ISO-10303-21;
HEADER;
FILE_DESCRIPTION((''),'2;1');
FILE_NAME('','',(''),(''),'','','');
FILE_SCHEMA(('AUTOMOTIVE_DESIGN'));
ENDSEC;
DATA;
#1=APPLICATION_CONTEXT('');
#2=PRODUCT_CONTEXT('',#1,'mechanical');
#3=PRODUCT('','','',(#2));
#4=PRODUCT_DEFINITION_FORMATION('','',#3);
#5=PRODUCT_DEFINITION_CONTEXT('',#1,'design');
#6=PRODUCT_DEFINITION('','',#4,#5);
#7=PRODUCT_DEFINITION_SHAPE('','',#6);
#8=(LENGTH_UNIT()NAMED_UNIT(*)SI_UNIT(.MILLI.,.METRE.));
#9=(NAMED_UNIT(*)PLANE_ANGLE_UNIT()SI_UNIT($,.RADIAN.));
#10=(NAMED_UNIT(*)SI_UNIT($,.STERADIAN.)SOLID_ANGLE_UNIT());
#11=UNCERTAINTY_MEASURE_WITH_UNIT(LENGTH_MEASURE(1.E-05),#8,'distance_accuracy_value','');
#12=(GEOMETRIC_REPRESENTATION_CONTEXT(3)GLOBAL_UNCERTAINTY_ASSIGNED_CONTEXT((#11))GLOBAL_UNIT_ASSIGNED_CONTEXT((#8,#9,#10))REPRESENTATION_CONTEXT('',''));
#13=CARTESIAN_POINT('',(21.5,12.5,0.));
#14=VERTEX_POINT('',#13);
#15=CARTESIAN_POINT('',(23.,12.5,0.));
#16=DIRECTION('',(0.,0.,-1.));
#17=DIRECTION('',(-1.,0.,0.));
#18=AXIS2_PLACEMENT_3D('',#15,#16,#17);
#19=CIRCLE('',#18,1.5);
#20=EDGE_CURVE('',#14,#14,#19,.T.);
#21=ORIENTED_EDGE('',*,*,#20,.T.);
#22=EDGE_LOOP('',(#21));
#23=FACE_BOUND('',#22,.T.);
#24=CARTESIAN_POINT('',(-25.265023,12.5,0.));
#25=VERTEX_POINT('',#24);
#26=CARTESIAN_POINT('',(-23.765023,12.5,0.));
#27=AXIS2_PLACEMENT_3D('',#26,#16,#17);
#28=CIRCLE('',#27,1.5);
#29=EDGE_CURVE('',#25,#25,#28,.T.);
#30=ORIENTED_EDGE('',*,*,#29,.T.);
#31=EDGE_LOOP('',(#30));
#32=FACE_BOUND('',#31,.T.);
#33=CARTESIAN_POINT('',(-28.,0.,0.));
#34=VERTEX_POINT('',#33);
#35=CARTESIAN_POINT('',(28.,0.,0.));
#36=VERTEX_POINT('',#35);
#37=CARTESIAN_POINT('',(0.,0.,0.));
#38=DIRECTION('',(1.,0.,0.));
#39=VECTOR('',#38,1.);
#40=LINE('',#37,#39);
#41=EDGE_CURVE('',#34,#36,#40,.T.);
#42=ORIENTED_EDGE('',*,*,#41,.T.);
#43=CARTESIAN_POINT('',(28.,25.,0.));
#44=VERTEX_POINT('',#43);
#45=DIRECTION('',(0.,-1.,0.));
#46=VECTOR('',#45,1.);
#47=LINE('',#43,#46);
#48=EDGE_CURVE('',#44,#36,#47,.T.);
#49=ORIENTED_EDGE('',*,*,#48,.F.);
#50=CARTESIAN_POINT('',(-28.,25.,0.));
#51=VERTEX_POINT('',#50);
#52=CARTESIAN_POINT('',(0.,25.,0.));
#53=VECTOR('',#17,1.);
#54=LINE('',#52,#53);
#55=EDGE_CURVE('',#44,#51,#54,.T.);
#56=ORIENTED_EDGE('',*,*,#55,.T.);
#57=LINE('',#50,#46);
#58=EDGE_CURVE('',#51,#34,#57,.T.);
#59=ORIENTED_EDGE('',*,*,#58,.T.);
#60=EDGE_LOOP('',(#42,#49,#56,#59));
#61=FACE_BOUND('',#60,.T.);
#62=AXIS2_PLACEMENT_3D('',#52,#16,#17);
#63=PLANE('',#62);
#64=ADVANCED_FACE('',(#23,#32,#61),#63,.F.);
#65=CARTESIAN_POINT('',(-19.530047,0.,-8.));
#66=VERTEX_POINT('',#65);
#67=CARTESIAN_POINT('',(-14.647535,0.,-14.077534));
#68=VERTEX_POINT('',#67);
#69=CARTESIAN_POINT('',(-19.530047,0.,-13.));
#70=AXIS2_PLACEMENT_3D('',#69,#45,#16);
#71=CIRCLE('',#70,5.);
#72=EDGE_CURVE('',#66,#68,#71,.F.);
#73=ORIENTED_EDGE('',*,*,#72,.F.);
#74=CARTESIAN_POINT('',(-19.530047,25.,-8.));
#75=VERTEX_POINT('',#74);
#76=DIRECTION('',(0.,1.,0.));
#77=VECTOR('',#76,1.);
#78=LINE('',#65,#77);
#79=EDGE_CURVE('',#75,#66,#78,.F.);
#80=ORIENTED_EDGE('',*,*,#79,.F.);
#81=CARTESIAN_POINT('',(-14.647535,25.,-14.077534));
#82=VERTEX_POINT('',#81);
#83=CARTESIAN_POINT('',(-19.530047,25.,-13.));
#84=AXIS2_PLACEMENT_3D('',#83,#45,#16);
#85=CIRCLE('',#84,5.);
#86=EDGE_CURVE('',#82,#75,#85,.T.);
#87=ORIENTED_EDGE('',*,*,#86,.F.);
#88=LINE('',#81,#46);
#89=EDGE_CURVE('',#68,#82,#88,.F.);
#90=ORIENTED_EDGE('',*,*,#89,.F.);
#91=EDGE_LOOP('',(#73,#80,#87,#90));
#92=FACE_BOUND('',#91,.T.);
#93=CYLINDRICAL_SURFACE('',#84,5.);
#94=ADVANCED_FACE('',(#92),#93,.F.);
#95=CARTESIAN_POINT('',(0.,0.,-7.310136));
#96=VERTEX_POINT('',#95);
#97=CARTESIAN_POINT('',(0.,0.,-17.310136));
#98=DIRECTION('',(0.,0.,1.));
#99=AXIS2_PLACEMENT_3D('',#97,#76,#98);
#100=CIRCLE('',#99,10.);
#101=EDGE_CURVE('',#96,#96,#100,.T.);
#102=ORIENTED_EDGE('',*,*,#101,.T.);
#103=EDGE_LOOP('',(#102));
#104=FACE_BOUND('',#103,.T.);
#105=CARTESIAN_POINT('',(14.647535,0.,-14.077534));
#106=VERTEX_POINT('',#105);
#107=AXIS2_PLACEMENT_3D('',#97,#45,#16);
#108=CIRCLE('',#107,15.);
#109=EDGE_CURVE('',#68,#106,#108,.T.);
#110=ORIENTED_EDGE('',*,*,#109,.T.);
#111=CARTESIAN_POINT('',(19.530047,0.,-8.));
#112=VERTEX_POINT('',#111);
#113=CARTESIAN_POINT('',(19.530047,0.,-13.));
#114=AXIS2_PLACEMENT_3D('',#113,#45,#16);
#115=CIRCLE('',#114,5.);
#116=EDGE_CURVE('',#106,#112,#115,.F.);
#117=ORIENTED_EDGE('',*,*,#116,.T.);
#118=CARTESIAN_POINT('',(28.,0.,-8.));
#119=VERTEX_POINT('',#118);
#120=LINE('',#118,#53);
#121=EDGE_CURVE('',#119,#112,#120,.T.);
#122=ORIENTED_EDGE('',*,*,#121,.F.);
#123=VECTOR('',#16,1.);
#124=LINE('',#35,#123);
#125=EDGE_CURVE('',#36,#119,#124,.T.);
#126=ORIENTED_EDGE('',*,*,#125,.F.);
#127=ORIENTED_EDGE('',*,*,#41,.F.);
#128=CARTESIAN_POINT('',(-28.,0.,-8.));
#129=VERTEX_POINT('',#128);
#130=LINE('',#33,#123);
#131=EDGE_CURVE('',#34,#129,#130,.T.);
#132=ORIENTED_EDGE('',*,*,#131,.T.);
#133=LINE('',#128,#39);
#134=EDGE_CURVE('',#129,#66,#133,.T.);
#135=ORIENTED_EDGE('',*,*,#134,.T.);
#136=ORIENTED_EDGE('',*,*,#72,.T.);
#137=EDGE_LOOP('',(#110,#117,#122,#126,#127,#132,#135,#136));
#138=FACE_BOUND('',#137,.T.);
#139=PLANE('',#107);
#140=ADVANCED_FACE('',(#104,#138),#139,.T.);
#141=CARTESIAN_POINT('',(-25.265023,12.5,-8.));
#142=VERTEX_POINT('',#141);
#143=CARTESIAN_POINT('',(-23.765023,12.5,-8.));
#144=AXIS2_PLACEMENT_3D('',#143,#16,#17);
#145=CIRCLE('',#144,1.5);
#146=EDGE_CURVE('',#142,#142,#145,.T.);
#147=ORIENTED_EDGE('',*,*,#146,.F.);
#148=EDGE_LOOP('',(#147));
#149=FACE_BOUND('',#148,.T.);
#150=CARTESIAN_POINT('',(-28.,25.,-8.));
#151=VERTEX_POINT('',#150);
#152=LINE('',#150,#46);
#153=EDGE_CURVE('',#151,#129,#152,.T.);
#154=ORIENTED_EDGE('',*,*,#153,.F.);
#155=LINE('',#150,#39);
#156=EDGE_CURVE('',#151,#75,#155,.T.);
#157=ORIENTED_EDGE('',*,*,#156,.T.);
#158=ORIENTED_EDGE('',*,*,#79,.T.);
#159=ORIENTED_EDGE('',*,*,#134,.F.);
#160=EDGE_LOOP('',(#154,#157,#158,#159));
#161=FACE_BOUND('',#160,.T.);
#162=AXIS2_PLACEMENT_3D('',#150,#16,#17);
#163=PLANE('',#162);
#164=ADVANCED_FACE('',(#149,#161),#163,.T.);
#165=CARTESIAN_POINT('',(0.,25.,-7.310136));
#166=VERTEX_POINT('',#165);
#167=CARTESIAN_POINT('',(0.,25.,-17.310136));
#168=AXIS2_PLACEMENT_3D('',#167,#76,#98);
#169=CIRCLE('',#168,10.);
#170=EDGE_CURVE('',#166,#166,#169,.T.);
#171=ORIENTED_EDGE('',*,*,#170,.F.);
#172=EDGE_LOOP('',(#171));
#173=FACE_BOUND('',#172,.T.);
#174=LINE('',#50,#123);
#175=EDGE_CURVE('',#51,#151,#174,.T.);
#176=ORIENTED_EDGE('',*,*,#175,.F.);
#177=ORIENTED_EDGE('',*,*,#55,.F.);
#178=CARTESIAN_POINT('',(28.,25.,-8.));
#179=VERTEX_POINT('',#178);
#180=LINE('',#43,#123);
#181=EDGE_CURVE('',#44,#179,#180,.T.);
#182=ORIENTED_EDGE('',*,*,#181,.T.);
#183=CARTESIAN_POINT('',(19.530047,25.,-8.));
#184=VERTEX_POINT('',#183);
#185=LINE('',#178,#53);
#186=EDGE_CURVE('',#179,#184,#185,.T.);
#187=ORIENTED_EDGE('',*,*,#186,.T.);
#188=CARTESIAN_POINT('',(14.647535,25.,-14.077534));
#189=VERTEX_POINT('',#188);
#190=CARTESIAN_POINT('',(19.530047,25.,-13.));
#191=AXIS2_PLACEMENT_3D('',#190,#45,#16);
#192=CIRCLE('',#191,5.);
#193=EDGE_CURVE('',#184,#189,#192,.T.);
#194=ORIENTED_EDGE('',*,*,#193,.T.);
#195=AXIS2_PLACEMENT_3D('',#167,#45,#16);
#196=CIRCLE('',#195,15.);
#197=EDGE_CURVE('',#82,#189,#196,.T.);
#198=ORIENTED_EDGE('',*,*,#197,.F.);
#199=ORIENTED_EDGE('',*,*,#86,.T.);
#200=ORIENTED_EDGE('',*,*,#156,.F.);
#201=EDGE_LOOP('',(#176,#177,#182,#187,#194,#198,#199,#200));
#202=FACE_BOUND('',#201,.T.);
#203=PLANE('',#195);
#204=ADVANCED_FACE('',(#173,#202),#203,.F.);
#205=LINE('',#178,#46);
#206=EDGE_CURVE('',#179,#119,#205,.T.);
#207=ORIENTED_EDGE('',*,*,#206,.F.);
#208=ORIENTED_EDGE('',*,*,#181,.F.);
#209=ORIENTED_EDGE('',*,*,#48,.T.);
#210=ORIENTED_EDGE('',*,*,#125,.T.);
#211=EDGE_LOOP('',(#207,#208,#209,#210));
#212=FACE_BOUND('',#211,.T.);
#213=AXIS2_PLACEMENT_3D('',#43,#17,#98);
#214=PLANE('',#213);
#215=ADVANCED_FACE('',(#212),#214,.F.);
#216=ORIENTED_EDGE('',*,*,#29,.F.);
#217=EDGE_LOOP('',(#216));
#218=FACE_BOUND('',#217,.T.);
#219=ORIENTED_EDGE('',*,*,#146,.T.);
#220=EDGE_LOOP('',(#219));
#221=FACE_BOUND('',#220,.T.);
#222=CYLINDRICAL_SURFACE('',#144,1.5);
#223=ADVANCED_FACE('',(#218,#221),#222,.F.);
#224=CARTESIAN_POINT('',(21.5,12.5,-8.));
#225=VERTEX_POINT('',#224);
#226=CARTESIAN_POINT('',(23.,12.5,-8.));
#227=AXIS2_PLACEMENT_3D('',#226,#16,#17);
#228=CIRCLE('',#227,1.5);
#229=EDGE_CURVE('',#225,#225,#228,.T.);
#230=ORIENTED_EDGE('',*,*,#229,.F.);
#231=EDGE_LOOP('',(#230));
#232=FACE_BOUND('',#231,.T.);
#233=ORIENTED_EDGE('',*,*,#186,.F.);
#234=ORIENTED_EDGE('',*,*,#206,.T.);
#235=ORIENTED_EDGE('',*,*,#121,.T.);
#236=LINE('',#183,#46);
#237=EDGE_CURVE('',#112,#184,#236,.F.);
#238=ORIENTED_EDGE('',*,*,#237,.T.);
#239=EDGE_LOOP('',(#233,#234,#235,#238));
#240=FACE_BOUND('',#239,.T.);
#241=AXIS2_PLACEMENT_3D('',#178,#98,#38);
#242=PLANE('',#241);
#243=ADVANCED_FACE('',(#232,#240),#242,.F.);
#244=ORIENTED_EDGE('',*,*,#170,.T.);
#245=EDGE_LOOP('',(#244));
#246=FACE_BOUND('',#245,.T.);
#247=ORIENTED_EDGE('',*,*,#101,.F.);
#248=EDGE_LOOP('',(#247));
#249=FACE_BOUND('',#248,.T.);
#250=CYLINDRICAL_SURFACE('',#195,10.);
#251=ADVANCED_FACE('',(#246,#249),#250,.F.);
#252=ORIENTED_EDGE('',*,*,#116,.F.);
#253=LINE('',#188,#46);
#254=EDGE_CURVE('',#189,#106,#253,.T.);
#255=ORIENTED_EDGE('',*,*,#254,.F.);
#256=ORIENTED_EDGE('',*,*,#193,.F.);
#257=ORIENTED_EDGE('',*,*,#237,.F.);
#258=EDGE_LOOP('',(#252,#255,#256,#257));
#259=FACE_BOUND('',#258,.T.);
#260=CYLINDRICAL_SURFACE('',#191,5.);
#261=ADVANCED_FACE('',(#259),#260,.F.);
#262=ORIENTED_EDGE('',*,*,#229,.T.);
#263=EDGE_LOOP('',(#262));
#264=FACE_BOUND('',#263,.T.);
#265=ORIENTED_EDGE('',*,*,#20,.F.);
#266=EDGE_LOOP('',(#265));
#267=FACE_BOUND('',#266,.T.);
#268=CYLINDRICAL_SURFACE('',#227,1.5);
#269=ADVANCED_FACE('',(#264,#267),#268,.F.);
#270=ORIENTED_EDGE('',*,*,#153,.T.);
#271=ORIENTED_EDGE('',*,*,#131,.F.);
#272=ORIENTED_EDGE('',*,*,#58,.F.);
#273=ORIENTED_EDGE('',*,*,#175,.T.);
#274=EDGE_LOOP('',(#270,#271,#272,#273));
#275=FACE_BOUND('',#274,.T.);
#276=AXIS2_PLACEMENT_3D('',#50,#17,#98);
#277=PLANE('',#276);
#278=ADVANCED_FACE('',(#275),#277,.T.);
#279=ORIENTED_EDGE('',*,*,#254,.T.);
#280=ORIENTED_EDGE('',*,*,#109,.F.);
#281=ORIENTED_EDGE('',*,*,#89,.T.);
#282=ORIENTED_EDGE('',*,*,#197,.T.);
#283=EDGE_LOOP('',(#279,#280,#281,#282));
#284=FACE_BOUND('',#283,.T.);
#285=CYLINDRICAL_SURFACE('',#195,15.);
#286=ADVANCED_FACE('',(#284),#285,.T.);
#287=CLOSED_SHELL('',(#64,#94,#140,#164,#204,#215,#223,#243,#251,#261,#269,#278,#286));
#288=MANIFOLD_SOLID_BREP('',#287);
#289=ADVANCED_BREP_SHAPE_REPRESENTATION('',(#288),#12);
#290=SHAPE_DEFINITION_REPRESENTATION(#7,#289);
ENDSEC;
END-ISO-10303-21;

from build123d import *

# Parameters (mm, degrees)
SKETCH1_R                 = 10
BOSS_EXTRUDE1_DEPTH       = 25
FILLET2_R                 = 5
FILLET3_R                 = 5
F_3_0MM_DOWEL_HOLE1_D     = 3
F_3_0MM_DOWEL_HOLE1_DEPTH = 12.4
F_3_0MM_DOWEL_HOLE1_TIP   = 0.901290929


with BuildPart() as part:
    # Sketch1 → Boss-Extrude1 (new body)
    with BuildSketch(Plane(origin=(0, 0, 0), x_dir=(1, 0, 0), z_dir=(0, 1, 0))):
        with BuildLine():
            Line((0, 0), (-28, 0))
            Line((-28, 0), (-28, 8))
            Line((-28, 8), (-11.761010247, 8))
            ThreePointArc((-11.761010247, 8), (0, 32.310136302), (11.761010247, 8))
            Line((11.761010247, 8), (28, 8))
            Line((28, 8), (28, 0))
            Line((28, 0), (0, 0))
        make_face()
        with Locations(Location((0, 17.310136302, 0), (0, 0, 270))):
            Circle(SKETCH1_R, mode=Mode.SUBTRACT)
    extrude(amount=BOSS_EXTRUDE1_DEPTH)

    # Fillet2
    fillet2_edges = [part.edges().sort_by_distance(p)[0] for p in [
        (11.761010247, 12.5, -8),
    ]]
    fillet(fillet2_edges, radius=FILLET2_R)

    # Fillet3
    fillet3_edges = [part.edges().sort_by_distance(p)[0] for p in [
        (-11.761010247, 12.5, -8),
    ]]
    fillet(fillet3_edges, radius=FILLET3_R)

    # Ø3.0mm Dowel Hole1
    with Locations(Plane(origin=(23, 12.5, -8), x_dir=(-1, 0, 0), z_dir=(0, 0, -1))):
        with Locations((0, 0), (46.765023362, 0)):
            Hole(F_3_0MM_DOWEL_HOLE1_D / 2, depth=F_3_0MM_DOWEL_HOLE1_DEPTH)
            with Locations((0, 0, -(F_3_0MM_DOWEL_HOLE1_DEPTH + F_3_0MM_DOWEL_HOLE1_TIP / 2))):  # 118° drill point
                Cone(0, F_3_0MM_DOWEL_HOLE1_D / 2, F_3_0MM_DOWEL_HOLE1_TIP, mode=Mode.SUBTRACT)


solid = part.part
